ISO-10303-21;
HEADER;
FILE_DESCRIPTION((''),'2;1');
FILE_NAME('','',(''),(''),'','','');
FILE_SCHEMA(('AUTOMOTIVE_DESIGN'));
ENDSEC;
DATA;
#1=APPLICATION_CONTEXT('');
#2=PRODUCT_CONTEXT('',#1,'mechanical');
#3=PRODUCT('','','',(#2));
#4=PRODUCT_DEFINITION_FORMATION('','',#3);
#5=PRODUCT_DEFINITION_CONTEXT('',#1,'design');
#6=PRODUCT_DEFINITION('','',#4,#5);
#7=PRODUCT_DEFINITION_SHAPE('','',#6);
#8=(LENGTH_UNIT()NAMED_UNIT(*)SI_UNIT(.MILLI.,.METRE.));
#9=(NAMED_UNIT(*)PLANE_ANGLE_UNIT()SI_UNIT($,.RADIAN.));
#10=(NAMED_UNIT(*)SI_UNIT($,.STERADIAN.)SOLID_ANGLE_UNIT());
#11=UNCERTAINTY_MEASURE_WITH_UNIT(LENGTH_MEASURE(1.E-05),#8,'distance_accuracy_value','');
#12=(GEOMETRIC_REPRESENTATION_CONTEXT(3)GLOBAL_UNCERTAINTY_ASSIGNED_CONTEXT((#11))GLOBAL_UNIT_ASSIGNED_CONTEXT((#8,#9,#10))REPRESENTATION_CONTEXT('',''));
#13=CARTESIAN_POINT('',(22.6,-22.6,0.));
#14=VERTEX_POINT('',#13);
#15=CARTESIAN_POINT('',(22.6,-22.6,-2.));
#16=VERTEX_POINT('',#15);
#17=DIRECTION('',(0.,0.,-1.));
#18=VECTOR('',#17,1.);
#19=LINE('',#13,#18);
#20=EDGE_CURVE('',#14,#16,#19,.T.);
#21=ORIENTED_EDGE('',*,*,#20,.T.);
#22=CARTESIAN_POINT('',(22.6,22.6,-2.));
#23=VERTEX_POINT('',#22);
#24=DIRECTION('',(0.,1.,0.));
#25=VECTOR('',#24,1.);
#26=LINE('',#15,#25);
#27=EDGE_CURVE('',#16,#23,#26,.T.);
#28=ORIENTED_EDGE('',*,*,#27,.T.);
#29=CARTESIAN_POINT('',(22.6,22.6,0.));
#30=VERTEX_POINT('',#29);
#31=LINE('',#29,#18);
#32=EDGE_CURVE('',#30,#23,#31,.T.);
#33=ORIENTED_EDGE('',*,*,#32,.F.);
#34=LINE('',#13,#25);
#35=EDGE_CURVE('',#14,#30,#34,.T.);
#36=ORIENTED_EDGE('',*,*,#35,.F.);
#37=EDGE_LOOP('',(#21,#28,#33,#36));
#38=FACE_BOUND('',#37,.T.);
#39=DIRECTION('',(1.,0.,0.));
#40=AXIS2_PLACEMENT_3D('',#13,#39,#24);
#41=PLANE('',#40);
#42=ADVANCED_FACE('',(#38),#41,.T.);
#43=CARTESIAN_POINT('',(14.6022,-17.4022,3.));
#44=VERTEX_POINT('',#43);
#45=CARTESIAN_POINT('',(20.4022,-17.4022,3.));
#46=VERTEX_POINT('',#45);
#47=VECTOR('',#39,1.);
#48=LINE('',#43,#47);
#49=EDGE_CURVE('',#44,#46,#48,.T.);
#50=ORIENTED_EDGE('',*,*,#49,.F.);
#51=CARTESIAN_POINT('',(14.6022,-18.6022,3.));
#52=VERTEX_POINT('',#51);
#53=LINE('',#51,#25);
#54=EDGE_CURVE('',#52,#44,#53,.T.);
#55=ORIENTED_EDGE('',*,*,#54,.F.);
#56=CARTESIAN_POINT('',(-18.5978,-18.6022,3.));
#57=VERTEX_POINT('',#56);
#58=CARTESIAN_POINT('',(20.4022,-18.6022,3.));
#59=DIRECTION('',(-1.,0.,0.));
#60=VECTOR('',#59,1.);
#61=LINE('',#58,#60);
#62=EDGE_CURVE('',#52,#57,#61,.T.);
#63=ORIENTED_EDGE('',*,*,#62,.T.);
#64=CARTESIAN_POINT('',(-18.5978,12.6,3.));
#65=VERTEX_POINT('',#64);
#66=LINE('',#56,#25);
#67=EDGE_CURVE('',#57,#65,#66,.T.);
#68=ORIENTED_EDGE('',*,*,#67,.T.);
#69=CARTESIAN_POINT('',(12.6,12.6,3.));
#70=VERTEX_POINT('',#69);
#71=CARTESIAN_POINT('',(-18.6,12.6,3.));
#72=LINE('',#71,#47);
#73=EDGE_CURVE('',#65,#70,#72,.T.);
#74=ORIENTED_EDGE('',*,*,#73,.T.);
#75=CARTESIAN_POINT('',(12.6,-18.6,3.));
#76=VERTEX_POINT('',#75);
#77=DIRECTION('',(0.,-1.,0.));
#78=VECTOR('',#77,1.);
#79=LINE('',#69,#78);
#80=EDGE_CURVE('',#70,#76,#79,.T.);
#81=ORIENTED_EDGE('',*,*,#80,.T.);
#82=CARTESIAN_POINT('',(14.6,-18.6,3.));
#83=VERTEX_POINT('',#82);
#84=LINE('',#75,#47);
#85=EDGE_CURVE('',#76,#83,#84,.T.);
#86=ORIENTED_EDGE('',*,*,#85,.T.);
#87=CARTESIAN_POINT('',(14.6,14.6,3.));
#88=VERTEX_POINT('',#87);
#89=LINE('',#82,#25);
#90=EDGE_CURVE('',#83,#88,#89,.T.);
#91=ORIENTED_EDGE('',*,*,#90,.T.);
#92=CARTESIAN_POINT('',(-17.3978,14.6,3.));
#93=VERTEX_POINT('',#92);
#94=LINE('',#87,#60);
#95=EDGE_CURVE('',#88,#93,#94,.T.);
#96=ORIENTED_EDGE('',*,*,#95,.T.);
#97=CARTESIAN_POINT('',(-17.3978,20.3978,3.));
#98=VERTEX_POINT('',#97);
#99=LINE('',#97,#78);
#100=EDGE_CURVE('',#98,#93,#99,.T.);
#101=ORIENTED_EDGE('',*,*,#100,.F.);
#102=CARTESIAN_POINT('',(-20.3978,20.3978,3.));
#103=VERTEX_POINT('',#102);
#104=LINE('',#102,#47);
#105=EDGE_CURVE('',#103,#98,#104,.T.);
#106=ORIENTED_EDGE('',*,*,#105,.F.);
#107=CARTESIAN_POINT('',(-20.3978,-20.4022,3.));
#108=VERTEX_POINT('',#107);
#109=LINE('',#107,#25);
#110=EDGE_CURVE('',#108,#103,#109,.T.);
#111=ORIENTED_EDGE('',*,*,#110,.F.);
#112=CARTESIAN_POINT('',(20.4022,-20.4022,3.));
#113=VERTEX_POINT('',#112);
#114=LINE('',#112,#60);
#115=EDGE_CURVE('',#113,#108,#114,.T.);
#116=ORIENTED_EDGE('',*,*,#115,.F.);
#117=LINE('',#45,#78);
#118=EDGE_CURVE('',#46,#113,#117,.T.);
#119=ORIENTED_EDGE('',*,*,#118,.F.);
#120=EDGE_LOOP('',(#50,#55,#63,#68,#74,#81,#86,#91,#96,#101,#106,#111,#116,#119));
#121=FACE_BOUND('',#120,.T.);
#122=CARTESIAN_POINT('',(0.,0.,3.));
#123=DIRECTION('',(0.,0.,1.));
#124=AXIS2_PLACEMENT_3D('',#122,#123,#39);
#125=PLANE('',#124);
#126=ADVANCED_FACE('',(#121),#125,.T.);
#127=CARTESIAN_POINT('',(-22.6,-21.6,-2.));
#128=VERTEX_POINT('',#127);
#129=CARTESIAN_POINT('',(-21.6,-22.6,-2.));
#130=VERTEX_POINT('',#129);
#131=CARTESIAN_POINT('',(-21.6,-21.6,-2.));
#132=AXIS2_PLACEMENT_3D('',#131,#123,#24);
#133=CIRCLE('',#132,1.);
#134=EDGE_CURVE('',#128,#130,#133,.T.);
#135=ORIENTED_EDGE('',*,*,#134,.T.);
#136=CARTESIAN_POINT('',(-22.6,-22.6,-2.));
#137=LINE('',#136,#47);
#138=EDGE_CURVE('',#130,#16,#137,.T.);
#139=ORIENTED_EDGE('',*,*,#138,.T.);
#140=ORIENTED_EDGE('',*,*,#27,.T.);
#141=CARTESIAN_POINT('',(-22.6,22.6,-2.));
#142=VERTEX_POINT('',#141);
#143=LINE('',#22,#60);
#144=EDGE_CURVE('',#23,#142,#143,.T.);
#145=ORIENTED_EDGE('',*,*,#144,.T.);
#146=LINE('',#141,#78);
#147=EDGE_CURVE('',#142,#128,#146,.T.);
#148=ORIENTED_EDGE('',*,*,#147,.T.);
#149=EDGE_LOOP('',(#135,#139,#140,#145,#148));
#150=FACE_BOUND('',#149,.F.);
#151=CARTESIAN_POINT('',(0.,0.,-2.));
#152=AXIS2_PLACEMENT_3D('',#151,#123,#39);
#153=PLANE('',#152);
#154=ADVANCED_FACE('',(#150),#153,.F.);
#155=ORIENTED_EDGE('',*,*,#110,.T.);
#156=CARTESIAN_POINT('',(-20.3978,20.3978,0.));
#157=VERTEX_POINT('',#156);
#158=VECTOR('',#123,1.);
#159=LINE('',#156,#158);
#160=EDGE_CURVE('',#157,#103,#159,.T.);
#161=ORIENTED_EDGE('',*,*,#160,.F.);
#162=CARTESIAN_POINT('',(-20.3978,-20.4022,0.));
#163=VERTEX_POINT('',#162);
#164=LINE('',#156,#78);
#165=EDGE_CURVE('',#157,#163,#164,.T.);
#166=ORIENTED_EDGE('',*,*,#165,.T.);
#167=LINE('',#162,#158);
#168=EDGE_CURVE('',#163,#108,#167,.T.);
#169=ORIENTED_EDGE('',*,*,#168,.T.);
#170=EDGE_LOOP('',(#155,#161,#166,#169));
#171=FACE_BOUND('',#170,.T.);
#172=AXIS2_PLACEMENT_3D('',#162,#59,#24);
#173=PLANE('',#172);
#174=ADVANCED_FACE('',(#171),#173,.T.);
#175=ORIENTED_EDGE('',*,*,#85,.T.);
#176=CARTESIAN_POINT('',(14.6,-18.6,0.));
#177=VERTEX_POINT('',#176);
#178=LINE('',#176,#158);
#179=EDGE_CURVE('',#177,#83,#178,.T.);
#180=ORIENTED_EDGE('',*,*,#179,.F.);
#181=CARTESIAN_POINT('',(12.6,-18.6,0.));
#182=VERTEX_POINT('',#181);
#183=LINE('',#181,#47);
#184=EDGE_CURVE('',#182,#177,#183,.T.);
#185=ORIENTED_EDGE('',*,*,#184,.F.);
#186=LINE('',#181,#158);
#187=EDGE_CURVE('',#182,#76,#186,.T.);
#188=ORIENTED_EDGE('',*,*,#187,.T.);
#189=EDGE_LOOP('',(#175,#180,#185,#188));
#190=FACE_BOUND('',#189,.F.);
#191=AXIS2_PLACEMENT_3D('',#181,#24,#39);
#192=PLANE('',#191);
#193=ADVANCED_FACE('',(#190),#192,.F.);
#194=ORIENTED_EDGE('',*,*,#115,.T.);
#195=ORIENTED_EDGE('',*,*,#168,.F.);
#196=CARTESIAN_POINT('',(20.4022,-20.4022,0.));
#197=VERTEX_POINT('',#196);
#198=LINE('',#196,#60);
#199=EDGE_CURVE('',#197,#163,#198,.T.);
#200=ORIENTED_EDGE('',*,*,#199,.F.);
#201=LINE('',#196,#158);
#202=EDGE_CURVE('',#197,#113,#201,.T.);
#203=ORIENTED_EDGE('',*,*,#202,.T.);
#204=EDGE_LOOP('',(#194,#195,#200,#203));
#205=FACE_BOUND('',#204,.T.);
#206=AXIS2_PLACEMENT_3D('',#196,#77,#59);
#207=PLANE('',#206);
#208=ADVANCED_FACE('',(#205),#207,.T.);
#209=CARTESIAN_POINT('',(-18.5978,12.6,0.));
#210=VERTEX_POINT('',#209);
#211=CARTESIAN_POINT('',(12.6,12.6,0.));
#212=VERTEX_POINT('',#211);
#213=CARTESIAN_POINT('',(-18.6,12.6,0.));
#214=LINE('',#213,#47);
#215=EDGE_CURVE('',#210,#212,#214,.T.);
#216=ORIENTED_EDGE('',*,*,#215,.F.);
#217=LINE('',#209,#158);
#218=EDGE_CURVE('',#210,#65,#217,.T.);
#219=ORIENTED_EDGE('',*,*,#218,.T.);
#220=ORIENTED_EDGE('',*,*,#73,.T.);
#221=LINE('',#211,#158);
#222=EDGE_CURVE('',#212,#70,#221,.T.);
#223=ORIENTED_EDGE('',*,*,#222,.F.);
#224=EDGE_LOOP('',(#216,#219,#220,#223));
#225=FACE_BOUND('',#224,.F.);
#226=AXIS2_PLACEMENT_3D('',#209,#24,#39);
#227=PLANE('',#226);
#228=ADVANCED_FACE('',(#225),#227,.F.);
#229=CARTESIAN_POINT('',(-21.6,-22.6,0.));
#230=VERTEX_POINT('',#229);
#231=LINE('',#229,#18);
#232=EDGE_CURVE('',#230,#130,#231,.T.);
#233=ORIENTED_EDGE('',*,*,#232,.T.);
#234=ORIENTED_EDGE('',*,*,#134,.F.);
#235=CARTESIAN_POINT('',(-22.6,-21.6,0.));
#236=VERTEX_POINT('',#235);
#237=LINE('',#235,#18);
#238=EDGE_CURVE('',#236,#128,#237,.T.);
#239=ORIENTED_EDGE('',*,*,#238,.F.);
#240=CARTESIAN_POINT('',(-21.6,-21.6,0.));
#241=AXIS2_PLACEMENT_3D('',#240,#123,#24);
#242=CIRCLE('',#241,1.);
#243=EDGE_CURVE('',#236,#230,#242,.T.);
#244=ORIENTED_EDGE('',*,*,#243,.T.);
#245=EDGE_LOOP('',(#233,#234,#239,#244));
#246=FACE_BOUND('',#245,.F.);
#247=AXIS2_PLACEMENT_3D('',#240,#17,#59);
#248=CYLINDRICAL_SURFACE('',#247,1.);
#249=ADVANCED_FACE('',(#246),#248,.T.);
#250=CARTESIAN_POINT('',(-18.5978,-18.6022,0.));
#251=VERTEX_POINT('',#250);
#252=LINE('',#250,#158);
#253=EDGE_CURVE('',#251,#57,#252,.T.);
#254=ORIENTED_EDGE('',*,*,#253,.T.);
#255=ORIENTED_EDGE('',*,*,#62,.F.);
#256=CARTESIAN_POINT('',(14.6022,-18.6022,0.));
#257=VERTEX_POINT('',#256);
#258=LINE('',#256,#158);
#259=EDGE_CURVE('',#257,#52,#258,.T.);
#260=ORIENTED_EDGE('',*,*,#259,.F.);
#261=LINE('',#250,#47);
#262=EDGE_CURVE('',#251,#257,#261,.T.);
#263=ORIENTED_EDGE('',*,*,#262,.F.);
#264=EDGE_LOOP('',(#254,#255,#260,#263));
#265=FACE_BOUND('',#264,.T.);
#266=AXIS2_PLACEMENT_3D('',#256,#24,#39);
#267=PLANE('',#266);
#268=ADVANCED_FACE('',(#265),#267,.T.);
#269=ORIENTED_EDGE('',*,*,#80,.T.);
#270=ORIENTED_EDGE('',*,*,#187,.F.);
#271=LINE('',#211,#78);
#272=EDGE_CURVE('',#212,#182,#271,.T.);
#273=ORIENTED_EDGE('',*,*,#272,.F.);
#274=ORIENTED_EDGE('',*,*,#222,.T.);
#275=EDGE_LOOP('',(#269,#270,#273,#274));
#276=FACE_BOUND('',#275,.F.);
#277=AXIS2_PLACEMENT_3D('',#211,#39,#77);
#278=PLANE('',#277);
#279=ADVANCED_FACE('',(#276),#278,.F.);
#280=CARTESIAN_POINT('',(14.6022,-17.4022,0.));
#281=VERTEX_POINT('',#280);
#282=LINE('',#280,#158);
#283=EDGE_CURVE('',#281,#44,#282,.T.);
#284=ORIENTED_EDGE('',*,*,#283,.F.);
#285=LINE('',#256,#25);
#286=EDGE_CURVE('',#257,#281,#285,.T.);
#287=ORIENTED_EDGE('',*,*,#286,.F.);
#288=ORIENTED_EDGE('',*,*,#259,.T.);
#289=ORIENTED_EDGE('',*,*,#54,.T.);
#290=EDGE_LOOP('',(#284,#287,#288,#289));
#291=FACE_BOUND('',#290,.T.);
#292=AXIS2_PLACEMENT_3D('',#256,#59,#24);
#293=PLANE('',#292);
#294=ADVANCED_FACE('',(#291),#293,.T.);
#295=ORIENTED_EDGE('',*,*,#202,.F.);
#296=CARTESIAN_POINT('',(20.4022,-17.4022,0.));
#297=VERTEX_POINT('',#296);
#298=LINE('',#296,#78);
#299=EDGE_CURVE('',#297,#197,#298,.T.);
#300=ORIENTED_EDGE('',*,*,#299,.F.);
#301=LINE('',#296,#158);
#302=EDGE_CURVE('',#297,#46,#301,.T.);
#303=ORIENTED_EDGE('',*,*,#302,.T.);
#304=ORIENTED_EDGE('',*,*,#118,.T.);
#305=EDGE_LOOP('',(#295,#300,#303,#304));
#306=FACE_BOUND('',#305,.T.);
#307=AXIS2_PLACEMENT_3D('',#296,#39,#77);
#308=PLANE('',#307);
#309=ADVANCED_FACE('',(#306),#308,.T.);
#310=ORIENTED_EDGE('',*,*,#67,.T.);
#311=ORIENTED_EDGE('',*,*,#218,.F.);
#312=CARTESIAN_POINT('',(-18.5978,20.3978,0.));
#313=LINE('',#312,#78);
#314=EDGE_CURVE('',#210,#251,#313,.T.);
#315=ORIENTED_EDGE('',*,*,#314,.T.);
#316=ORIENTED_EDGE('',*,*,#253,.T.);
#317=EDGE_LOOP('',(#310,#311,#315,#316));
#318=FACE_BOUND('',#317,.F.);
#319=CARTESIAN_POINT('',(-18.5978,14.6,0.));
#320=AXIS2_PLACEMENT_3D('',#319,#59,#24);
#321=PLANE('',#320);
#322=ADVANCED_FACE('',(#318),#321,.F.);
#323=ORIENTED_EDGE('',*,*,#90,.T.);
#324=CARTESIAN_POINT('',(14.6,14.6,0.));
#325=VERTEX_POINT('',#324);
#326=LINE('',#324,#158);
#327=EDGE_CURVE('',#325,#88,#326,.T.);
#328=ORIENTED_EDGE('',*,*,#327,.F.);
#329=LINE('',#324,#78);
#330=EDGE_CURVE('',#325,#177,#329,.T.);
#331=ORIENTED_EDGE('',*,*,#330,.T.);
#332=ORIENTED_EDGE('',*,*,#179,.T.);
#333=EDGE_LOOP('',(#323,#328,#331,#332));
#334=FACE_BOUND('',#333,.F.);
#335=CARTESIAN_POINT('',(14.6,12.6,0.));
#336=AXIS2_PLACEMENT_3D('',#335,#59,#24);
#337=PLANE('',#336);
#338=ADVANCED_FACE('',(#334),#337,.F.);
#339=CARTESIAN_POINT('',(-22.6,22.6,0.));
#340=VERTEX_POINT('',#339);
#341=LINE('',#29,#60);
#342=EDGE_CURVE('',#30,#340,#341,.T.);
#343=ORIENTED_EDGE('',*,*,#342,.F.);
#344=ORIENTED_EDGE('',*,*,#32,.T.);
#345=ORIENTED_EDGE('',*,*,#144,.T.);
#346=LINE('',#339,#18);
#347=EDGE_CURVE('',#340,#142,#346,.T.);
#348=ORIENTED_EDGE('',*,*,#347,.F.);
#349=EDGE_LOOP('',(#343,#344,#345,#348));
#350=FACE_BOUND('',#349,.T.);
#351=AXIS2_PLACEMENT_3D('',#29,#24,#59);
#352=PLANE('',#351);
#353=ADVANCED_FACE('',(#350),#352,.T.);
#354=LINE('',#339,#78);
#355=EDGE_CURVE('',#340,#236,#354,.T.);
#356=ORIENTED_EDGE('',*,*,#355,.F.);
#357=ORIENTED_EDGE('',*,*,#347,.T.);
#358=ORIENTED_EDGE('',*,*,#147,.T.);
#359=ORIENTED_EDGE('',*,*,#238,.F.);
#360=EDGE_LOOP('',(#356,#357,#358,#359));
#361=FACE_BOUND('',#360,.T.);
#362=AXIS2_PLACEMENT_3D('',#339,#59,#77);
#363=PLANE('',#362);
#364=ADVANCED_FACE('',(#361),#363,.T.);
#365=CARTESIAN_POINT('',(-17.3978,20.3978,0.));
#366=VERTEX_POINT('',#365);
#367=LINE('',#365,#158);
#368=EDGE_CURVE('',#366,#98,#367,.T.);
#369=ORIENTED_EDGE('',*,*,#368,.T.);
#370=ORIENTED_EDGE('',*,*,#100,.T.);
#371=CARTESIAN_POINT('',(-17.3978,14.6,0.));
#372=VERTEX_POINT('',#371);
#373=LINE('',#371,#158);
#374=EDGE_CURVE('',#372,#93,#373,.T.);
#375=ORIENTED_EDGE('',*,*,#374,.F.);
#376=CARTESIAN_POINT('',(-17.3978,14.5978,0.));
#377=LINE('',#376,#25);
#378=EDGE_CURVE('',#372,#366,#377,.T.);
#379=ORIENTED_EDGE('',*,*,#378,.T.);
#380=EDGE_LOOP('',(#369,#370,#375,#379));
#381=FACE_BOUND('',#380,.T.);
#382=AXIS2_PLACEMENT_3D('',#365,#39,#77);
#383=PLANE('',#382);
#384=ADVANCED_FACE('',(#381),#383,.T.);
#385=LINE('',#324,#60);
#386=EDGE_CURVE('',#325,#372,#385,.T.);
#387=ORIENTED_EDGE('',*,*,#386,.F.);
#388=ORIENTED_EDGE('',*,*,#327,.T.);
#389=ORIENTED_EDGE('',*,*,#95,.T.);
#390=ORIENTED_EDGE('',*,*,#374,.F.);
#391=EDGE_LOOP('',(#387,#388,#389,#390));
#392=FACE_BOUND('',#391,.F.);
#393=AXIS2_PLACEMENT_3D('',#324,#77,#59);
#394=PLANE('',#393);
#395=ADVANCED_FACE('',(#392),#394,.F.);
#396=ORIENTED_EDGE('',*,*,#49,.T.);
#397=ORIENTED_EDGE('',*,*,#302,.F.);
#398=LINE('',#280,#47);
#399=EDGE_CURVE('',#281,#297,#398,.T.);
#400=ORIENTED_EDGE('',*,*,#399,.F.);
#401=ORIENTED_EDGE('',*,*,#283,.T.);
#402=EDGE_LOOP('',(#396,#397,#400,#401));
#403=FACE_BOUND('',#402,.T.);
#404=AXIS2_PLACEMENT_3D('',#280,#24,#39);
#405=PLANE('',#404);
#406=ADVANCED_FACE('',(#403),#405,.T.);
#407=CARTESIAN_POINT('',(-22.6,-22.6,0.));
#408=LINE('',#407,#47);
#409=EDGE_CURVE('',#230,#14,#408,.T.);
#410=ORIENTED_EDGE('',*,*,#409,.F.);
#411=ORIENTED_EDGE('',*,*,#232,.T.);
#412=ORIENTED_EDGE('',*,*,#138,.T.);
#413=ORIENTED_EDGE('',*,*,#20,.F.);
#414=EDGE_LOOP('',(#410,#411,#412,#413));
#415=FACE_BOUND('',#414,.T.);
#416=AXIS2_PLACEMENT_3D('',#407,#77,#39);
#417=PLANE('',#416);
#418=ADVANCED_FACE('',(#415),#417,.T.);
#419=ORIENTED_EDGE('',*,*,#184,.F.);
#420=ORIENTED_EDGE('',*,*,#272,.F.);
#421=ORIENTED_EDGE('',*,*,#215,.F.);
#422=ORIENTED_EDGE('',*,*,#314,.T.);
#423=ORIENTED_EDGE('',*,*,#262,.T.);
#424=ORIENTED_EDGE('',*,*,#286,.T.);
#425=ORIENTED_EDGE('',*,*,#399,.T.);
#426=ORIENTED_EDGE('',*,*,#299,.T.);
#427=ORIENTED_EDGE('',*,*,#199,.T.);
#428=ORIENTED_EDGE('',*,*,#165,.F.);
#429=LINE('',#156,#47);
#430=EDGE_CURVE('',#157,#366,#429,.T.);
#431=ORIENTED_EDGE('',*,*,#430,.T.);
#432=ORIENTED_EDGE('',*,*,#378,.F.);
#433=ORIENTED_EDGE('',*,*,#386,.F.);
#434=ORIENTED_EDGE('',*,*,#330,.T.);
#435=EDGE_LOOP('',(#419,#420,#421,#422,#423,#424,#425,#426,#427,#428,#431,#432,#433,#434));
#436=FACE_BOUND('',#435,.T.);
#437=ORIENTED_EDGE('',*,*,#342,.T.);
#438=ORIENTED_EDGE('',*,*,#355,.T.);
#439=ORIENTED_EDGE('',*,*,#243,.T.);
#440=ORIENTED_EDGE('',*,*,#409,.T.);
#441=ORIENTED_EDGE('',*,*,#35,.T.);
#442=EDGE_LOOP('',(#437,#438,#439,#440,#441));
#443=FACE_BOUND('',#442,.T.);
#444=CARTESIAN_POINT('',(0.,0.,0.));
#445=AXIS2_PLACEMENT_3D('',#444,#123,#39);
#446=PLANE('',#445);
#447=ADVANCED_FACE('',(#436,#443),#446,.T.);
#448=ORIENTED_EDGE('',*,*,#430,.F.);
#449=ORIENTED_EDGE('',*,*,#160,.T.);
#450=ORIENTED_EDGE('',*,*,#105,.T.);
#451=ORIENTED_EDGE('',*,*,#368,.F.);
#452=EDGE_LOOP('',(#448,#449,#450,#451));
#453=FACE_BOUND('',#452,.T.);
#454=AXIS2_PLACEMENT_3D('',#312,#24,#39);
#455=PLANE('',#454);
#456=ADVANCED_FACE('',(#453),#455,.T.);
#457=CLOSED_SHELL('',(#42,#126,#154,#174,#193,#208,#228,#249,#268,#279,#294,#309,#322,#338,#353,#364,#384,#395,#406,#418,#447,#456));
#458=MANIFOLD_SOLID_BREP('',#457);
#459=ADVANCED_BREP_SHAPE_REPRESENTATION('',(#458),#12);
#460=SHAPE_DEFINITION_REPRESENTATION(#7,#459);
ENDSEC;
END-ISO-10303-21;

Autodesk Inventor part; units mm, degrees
ref_plane "YZ Plane" through (0, 0, 0) normal (1, 0, 0) x (0, 1, 0)
ref_plane "XZ Plane" through (0, 0, 0) normal (0, 1, 0) x (-1, 0, 0)
ref_plane "XY Plane" through (0, 0, 0) normal (0, 0, 1) x (1, 0, 0)
sketch "Sketch1" plane through (0, 0, 0) normal (0, 0, 1) x (1, 0, 0)
  line L0 (-22.6, -22.6) -> (22.6, -22.6)
  line L1 (22.6, -22.6) -> (22.6, 22.6)
  line L2 (22.6, 22.6) -> (-22.6, 22.6)
  line L3 (-22.6, 22.6) -> (-22.6, -22.6)
  line L4 (-22.6, -22.6) -> (22.6, 22.6) construction
  line L5 (22.6, -22.6) -> (20.5, -22.6) construction
  line L6 (20.5, -22.6) -> (20.4022, -20.4022) construction
  line L7 (20.4022, -20.4022) -> (-20.3978, -20.4022)
  line L8 (-20.3978, -20.4022) -> (-20.3978, -18.6022)
  line L9 (-20.3978, -18.6022) -> (20.4022, -18.6022)
  line L10 (20.4022, -18.6022) -> (20.4022, -20.4022)
  line L11 (-20.3978, -18.6022) -> (-18.5978, -18.6022)
  line L12 (-18.5978, -18.6022) -> (-18.5978, 20.3978)
  line L13 (-18.5978, 20.3978) -> (-20.3978, 20.3978)
  line L14 (-20.3978, 20.3978) -> (-20.3978, -18.6022)
  line L15 (-18.5978, 20.3978) -> (-17.3978, 20.3978)
  line L16 (-17.3978, 20.3978) -> (-17.3978, 14.5978)
  line L17 (-17.3978, 14.5978) -> (-18.5978, 14.5978)
  line L18 (-18.5978, 14.5978) -> (-18.5978, 20.3978)
  line L19 (20.4022, -18.6022) -> (14.6022, -18.6022)
  line L20 (14.6022, -18.6022) -> (14.6022, -17.4022)
  line L21 (14.6022, -17.4022) -> (20.4022, -17.4022)
  line L22 (20.4022, -17.4022) -> (20.4022, -18.6022)
  line L23 (22.6, 22.6) -> (-17.4, 22.6) construction
  line L24 (-17.4, 22.6) -> (-17.4, 14.6) construction
  line L25 (-17.4, 14.6) -> (22.6, 14.6) construction
  line L26 (22.6, 14.6) -> (22.6, 22.6) construction
  line L27 (22.6, 22.6) -> (14.6, 22.6) construction
  line L28 (14.6, 22.6) -> (14.6, -17.4) construction
  line L29 (14.6, -17.4) -> (22.6, -17.4) construction
  line L30 (22.6, -17.4) -> (22.6, 22.6) construction
  line L31 (14.6, 14.6) -> (-18.6, 14.6)
  line L32 (-18.6, 14.6) -> (-18.6, 12.6)
  line L33 (-18.6, 12.6) -> (14.6, 12.6)
  line L34 (14.6, 12.6) -> (14.6, 14.6)
  line L35 (14.6, 12.6) -> (12.6, 12.6)
  line L36 (12.6, 12.6) -> (12.6, -18.6)
  line L37 (12.6, -18.6) -> (14.6, -18.6)
  line L38 (14.6, -18.6) -> (14.6, 12.6)
  point P0 (0, 0)
  point P1 (-19.4978, 20.3978)
  point P2 (-17.3978, 14.6)
  point P3 (-18.5978, 12.6)
  dimension "d0" = 45.2
  dimension "d1" = 45.2
  dimension "d2" = 2.1
  dimension "d3" = 2.2
  dimension "d5" = 1.8
  dimension "d6" = 1.8
  dimension "d7" = 39
  dimension "d10" = 2.2022
  dimension "d11" = 4.0022
  dimension "d12" = 2.2022
  dimension "d15" = 1.2
  dimension "d16" = 5.8
  dimension "d21" = 5.8
  dimension "d22" = 1.2
  dimension "d25" = 40
  dimension "d26" = 8
  dimension "d27" = 8
  dimension "d28" = 40
  dimension "d29" = 33.2
  dimension "d30" = 2
  dimension "d31" = 2
  dimension "d32" = 31.2
extrude "Extrusion1" add sketch "Sketch1" along normal blind 3 contours L7 L8 L9 L10 | L14 L13 L12 L31 L32 L33 L9 | L33 L32 L31 L12
extrude "Extrusion2" add sketch "Sketch1" against normal blind 2 contours L3 L2 L1 L0 | L7 L8 L9 L10 | L9 L20 L21 L22 | L14 L13 L12 L31 L32 L33 L9 | L33 L32 L31 L12 | L12 L17 L16 L31 L34 L33 | L15 L16 L31 L12 | L12 L31 L16 L17 | L33 L38 L37 L36
extrude "Extrusion4" add sketch "Sketch1" along normal blind 3 contours L9 L20 L21 L22 | L15 L16 L31 L12 | L12 L31 L16 L17
extrude "Extrusion5" add sketch "Sketch1" along normal blind 3 contours L12 L17 L16 L31 L34 L33 | L33 L38 L37 L36
fillet "Fillet1" radius 1 1 edges at (-22.6, -22.6, -1)
properties part number "DownCover" material "ABS Plastic"
